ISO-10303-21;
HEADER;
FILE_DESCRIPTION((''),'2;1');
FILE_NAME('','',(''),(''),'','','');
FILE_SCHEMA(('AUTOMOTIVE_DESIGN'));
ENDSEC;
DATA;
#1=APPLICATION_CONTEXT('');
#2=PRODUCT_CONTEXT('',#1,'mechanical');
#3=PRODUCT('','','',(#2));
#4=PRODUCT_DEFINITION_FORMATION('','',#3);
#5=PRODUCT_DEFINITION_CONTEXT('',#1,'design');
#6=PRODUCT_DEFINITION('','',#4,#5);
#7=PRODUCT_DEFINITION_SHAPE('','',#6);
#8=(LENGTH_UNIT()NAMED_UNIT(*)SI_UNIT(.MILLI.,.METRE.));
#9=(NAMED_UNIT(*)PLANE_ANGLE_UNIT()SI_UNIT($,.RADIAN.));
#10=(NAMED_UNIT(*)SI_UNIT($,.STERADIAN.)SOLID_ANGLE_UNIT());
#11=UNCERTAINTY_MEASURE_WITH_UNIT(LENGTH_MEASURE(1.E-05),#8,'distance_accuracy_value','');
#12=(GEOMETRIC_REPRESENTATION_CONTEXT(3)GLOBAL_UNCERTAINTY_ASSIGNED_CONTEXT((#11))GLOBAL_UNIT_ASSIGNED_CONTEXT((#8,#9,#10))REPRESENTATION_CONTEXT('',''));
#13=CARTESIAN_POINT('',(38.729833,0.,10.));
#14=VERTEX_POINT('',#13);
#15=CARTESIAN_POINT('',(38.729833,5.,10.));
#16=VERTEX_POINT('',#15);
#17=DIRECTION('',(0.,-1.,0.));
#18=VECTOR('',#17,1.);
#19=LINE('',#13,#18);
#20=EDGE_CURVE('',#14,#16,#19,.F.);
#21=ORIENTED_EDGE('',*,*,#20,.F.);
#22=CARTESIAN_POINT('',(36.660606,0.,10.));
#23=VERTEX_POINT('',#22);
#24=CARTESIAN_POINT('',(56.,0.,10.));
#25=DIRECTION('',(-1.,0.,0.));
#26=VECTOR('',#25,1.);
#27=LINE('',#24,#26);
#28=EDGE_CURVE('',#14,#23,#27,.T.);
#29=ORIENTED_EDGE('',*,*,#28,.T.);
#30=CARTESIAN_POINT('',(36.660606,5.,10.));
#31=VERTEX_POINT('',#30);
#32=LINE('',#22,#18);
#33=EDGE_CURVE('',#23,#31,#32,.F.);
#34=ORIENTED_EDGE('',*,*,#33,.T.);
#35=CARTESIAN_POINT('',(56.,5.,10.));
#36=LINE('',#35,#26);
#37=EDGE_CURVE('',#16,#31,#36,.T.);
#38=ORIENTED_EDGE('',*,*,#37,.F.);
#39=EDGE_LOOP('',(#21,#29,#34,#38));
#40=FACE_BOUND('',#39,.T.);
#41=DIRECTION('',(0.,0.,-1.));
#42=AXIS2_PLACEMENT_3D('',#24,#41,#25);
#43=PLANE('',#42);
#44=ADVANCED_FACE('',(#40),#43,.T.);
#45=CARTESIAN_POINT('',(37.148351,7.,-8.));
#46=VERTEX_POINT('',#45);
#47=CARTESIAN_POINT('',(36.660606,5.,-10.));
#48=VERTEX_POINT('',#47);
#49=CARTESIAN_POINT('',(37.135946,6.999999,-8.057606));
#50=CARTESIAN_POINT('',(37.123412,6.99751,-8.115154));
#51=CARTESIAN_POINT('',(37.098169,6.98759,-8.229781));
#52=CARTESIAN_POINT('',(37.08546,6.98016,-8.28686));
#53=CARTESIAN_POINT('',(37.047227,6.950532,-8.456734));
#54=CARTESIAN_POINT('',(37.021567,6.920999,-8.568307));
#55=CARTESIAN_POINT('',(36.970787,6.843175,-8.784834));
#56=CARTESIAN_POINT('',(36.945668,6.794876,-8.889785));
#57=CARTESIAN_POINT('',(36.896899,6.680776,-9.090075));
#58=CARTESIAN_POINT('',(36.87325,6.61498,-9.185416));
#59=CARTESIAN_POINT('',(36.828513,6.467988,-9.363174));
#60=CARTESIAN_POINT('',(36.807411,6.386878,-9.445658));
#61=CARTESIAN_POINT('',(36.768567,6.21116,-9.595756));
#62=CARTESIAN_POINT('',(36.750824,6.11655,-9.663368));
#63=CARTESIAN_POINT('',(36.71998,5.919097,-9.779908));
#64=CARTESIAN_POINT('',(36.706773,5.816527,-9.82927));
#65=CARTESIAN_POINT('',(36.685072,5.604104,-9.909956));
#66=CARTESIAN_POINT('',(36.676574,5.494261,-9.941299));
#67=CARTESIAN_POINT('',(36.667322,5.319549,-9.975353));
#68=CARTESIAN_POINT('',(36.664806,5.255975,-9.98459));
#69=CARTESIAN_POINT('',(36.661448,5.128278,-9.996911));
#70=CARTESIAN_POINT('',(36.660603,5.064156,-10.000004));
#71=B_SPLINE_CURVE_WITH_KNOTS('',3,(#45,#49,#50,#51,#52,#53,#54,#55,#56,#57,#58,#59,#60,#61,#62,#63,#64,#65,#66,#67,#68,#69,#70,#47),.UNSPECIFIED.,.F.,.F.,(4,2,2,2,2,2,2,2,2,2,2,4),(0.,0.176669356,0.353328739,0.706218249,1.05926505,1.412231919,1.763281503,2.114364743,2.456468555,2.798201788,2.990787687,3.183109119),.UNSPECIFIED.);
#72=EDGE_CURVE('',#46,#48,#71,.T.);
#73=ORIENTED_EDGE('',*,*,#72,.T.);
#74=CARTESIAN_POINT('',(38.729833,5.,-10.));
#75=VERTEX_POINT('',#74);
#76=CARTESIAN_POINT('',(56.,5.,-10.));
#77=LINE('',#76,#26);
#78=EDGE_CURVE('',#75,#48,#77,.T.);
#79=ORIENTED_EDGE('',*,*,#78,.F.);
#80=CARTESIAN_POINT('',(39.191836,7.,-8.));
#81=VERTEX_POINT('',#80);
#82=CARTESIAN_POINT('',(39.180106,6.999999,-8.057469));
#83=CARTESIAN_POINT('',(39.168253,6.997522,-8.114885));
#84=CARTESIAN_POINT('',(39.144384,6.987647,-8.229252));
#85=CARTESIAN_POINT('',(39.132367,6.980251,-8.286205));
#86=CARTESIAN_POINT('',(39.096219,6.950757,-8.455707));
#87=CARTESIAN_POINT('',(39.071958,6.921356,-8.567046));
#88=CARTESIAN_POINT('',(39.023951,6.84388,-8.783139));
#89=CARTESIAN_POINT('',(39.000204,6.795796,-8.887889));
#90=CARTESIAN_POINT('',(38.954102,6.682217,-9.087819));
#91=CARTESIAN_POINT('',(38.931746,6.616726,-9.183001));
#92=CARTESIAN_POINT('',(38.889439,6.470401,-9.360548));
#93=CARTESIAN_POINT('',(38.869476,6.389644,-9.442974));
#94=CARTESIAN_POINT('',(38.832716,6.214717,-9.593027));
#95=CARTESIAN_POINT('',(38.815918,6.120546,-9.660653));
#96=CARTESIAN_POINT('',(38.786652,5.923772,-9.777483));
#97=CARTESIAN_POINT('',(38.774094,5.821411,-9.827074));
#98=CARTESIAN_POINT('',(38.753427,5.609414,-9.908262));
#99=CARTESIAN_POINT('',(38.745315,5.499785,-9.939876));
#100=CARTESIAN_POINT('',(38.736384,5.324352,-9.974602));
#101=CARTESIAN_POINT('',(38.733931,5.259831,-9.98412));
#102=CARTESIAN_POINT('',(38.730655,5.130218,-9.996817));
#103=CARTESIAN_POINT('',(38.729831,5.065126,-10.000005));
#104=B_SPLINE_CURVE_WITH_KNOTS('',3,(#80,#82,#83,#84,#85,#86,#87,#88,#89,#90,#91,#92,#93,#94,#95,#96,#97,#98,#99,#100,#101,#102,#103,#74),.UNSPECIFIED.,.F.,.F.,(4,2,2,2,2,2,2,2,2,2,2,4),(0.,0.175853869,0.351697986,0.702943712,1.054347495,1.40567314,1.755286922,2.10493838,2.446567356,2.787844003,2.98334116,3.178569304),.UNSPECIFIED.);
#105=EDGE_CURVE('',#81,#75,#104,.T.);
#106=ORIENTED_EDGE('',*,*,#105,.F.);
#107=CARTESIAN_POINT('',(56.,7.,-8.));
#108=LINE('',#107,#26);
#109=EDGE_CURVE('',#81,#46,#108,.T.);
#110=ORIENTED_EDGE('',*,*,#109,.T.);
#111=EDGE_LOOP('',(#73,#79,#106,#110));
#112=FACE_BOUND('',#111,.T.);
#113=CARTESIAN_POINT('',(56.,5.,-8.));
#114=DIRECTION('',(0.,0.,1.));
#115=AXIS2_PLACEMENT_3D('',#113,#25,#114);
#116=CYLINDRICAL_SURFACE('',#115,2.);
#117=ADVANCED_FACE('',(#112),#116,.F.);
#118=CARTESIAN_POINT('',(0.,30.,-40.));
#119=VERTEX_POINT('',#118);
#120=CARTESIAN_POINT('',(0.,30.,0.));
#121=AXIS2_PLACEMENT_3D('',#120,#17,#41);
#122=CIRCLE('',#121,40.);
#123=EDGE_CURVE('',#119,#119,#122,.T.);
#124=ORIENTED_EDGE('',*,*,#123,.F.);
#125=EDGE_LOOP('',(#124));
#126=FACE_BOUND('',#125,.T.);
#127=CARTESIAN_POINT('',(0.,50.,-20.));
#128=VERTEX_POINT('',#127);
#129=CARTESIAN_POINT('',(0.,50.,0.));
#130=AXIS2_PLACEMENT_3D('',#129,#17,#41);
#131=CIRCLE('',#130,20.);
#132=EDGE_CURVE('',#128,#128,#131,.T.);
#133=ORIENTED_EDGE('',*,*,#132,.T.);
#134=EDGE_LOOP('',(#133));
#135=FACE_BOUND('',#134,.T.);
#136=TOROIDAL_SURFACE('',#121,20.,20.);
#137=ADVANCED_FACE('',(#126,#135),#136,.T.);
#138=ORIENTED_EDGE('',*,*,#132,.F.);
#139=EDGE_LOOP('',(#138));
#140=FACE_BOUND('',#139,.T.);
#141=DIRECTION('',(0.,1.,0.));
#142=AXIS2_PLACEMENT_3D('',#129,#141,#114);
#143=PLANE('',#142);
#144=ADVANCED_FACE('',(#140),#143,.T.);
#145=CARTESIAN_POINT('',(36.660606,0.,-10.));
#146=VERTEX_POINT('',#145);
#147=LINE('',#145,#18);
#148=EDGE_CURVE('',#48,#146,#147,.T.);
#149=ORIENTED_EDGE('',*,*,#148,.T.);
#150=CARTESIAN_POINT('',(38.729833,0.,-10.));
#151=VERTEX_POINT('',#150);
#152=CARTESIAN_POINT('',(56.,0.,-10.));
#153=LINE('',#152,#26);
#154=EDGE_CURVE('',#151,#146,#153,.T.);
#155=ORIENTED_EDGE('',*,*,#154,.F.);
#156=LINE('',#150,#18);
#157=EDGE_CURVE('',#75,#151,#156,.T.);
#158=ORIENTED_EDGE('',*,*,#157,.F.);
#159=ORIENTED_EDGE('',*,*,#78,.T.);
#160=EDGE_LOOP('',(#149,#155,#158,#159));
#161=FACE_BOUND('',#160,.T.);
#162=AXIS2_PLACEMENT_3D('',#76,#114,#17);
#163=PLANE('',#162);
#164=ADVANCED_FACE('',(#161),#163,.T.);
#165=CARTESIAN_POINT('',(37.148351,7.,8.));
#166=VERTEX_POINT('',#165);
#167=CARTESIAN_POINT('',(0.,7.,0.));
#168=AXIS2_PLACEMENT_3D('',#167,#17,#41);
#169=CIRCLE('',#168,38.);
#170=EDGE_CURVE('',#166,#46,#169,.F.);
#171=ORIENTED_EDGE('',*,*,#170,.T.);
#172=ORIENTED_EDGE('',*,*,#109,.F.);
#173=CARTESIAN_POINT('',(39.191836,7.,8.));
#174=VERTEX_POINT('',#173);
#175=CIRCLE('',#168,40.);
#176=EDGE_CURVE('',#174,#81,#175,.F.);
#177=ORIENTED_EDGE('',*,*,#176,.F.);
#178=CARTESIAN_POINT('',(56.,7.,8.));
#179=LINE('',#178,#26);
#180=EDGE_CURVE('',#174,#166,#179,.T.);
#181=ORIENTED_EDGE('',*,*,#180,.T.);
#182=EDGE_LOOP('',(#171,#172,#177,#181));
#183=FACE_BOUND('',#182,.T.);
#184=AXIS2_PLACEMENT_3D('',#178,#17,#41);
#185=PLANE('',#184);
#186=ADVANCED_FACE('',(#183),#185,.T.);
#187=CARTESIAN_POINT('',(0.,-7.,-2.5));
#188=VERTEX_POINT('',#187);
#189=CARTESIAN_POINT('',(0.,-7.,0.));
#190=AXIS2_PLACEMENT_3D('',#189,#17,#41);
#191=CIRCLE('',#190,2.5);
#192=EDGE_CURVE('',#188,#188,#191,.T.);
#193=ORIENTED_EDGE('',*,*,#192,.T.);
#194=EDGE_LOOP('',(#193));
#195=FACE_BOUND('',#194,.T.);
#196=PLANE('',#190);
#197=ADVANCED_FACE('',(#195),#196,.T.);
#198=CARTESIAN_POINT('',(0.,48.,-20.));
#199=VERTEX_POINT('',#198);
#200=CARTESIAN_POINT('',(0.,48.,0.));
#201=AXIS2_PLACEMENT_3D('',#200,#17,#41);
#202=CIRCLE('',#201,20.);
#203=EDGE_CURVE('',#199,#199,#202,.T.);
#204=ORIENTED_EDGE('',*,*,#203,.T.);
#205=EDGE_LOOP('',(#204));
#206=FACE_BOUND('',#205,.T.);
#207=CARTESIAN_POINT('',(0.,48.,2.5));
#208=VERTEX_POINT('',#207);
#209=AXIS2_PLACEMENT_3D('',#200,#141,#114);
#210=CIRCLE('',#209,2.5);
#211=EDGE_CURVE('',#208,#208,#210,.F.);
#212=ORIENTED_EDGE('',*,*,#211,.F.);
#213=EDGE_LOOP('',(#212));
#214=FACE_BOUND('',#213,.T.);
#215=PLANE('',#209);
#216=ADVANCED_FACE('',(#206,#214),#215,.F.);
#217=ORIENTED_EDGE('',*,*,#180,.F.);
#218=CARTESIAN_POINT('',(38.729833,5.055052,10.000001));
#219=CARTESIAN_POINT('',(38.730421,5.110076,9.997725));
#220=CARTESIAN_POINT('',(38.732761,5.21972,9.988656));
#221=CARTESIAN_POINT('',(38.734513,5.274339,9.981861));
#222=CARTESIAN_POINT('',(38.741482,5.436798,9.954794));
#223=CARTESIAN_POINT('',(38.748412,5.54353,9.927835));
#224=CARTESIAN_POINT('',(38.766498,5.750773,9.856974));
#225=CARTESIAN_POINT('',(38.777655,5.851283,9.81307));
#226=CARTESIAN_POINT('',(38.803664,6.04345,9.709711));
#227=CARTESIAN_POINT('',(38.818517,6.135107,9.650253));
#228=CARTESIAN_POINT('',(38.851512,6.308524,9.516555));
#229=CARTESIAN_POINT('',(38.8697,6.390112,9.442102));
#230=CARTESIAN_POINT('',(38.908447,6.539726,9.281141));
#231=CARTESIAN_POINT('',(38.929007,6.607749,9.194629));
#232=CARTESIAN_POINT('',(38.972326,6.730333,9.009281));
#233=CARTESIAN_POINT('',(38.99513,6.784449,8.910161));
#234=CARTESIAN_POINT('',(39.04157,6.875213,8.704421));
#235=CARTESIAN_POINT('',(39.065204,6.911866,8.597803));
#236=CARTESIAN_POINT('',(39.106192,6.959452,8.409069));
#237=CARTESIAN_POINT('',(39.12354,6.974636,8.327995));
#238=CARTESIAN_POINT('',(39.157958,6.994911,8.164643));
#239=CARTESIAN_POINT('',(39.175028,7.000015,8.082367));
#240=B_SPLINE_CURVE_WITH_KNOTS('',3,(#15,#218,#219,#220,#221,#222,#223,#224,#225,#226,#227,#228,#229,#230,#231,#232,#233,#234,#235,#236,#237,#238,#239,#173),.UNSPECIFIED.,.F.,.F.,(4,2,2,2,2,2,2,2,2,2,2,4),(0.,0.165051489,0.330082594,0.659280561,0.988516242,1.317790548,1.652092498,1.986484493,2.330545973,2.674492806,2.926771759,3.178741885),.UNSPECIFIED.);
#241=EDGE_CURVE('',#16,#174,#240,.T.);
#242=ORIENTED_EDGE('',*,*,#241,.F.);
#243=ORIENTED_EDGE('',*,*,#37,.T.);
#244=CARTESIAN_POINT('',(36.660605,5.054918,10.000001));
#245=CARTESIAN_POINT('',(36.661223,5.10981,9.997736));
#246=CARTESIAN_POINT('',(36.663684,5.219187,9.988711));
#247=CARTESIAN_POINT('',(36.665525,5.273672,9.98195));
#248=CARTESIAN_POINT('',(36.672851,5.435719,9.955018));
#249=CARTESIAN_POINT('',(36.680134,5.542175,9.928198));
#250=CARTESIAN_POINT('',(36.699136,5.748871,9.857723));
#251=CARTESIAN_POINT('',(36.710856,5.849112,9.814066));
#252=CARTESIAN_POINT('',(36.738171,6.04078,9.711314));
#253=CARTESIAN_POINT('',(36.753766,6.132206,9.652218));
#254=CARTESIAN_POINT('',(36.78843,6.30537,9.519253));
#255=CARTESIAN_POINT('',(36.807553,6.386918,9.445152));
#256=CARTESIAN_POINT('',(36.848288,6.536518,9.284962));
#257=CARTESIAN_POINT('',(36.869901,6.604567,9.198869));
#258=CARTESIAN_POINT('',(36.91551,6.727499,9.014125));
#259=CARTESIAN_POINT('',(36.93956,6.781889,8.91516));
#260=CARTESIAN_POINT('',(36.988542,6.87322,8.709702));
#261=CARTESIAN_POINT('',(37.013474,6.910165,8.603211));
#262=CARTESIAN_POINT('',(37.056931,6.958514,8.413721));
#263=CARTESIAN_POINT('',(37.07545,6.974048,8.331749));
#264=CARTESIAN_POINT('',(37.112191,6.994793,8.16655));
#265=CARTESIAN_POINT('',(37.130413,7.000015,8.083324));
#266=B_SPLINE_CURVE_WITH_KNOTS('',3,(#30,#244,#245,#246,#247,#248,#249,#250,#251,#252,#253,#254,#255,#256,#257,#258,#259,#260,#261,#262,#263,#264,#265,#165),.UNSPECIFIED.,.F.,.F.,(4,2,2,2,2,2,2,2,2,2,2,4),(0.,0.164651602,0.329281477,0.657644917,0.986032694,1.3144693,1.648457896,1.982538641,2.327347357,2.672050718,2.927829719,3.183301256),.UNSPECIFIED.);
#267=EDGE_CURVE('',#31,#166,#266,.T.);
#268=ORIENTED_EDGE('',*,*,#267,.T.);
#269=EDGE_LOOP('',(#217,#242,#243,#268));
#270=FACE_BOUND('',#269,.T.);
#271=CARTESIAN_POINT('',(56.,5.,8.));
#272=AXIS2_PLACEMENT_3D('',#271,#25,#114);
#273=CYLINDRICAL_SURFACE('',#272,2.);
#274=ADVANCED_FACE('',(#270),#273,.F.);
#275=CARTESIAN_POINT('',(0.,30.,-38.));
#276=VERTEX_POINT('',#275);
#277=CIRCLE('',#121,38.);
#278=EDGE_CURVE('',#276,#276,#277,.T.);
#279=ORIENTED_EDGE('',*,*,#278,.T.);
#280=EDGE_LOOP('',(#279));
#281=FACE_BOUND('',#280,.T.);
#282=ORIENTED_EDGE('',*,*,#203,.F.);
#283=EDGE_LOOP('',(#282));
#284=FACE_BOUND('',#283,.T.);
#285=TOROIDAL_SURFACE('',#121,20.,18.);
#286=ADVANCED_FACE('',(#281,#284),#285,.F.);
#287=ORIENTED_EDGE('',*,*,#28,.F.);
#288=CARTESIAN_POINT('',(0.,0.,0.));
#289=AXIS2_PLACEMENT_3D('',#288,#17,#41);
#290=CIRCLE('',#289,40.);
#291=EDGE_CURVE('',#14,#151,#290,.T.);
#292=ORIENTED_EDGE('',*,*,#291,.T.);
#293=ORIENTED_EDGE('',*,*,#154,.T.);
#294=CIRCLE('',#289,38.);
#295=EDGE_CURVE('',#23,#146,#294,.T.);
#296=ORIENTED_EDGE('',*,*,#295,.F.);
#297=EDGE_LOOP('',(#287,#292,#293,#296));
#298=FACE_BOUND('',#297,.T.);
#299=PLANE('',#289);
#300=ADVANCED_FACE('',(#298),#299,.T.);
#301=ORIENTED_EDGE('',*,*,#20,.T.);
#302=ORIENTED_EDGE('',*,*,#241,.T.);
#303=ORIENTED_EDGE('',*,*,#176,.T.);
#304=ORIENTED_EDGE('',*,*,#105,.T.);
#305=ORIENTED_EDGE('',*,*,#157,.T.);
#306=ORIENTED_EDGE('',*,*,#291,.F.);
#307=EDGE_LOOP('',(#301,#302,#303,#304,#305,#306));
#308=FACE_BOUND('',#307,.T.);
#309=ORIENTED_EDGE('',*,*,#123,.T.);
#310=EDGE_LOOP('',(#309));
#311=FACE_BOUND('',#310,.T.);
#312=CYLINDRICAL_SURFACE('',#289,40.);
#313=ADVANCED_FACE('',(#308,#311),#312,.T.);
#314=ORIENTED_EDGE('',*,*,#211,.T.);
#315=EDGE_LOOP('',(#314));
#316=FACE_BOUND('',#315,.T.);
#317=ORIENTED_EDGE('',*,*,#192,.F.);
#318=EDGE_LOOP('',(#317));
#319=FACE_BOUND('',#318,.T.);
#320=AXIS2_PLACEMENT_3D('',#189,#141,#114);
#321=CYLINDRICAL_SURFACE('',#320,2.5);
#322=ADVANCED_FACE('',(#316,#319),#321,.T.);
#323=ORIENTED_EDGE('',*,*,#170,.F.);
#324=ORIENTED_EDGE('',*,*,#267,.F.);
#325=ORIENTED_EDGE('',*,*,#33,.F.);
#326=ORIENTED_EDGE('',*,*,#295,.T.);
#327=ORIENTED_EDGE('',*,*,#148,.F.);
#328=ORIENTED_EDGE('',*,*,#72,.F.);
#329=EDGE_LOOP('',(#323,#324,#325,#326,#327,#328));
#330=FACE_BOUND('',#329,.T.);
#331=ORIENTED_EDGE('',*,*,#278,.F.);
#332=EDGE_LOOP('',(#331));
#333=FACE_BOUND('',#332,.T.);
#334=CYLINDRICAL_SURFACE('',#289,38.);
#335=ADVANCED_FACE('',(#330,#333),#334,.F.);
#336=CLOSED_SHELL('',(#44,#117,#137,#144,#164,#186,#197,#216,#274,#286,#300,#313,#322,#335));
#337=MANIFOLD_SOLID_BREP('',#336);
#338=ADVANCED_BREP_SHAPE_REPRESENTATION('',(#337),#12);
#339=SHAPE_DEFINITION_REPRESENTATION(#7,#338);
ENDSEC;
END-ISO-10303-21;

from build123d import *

# Parameters (mm, degrees)
SHELL1_T            = -2
SKETCH2_R           = 2.5
BOSS_EXTRUDE1_DEPTH = 55
CUT_EXTRUDE2_DEPTH  = 50


with BuildPart() as part:
    # Sketch1 → Revolve1 (revolve)
    with BuildSketch(Plane(origin=(0, 0, 0), x_dir=(0, 0, -1), z_dir=(1, 0, 0))):
        with BuildLine():
            Line((0, 0), (0, 50))
            Line((0, 50), (20, 50))
            ThreePointArc((20, 50), (34.142135624, 44.142135624), (40, 30))
            Line((40, 30), (40, 0))
            Line((40, 0), (0, 0))
        make_face()
    revolve(axis=Axis((0, 0, 0), (0, 1, 0)))

    # Shell1
    shell1_openings = [part.faces().sort_by_distance(p)[0] for p in [
        (0, 0, 0),
    ]]
    offset(amount=SHELL1_T, openings=shell1_openings, kind=Kind.INTERSECTION)

    # Sketch2 → Boss-Extrude1 (add)
    with BuildSketch(Plane.XZ.offset(-48)):
        with Locations(Location((0, 0, 0), (0, 0, 90))):
            Circle(SKETCH2_R)
    extrude(amount=BOSS_EXTRUDE1_DEPTH)

    # Sketch3 → Cut-Extrude2 (cut)
    with BuildSketch(Plane(origin=(6, 0, 0), x_dir=(0, 0, -1), z_dir=(1, 0, 0))):
        with BuildLine():
            Line((-10, 0), (10, 0))
            Line((10, 0), (10, 5))
            ThreePointArc((10, 5), (9.414213562, 6.414213562), (8, 7))
            Line((8, 7), (-8, 7))
            ThreePointArc((-8, 7), (-9.414213562, 6.414213562), (-10, 5))
            Line((-10, 5), (-10, 0))
        make_face()
    extrude(amount=CUT_EXTRUDE2_DEPTH, mode=Mode.SUBTRACT)


solid = part.part
